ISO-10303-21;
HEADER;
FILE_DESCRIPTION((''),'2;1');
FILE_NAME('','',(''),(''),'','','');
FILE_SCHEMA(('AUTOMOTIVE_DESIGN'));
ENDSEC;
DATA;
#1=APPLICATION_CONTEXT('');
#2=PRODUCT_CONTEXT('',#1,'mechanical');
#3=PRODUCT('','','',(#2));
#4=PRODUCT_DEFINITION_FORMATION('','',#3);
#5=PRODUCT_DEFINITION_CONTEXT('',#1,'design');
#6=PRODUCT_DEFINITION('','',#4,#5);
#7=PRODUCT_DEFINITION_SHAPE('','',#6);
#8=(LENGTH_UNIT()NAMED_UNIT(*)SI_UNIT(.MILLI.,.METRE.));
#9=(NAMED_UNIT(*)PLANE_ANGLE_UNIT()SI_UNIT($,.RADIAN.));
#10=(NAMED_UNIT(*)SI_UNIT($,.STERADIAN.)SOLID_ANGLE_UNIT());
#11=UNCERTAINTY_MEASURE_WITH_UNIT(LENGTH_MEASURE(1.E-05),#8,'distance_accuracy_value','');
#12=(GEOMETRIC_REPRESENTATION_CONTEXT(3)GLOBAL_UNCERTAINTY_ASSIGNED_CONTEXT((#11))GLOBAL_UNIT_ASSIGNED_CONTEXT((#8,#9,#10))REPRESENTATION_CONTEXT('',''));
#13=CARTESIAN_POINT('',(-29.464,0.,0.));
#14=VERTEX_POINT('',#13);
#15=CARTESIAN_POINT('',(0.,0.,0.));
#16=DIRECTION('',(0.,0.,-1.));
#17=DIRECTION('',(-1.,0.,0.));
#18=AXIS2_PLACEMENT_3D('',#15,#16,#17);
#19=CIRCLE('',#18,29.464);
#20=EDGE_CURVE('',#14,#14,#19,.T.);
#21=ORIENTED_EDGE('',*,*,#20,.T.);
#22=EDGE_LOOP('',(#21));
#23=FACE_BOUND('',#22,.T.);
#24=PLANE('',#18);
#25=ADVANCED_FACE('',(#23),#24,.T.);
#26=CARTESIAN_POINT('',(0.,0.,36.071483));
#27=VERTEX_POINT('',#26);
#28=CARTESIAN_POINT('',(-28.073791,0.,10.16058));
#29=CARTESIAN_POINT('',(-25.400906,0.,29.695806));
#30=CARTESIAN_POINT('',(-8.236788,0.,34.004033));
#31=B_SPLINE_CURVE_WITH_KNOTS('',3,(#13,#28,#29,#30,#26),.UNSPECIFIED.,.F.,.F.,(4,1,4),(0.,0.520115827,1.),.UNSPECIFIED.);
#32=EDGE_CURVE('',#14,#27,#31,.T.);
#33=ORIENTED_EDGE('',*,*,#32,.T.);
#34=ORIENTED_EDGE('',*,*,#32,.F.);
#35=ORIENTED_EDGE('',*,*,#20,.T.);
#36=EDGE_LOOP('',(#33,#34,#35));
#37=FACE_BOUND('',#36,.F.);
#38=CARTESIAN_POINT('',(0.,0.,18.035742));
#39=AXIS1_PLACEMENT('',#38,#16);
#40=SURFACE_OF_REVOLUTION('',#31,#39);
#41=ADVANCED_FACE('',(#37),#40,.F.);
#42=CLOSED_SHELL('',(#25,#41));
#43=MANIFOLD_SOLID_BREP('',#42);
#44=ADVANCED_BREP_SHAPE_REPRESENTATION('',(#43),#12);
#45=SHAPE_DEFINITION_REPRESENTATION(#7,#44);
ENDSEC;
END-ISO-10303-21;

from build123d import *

# Parameters (mm, degrees)
F2_SCALE = 0.8


with BuildPart() as f1:
    # F0 (on Front) → F1 (revolve)
    with BuildSketch(Plane.XZ):
        with BuildLine():
            Line((-36.83, 0), (0, 0))
            Line((0, 0), (0, 45.0893542735))
            add(Edge.make_bspline(
                [(-36.83, 0), (-35.0922382346, 12.7007252452), (-31.7511328979, 37.11975767), (-10.2959856113, 42.5050417004), (0, 45.0893542735)],
                knots=[0, 0, 0, 0, 0.520115827, 1, 1, 1, 1], degree=3))
        make_face()
    revolve(axis=Axis((0, 0, 22.5446771367), (0, 0, -1)))


with BuildPart() as f1_1:
    # F2: moved
    add(f1.part.scale(F2_SCALE))


solid = f1_1.part
